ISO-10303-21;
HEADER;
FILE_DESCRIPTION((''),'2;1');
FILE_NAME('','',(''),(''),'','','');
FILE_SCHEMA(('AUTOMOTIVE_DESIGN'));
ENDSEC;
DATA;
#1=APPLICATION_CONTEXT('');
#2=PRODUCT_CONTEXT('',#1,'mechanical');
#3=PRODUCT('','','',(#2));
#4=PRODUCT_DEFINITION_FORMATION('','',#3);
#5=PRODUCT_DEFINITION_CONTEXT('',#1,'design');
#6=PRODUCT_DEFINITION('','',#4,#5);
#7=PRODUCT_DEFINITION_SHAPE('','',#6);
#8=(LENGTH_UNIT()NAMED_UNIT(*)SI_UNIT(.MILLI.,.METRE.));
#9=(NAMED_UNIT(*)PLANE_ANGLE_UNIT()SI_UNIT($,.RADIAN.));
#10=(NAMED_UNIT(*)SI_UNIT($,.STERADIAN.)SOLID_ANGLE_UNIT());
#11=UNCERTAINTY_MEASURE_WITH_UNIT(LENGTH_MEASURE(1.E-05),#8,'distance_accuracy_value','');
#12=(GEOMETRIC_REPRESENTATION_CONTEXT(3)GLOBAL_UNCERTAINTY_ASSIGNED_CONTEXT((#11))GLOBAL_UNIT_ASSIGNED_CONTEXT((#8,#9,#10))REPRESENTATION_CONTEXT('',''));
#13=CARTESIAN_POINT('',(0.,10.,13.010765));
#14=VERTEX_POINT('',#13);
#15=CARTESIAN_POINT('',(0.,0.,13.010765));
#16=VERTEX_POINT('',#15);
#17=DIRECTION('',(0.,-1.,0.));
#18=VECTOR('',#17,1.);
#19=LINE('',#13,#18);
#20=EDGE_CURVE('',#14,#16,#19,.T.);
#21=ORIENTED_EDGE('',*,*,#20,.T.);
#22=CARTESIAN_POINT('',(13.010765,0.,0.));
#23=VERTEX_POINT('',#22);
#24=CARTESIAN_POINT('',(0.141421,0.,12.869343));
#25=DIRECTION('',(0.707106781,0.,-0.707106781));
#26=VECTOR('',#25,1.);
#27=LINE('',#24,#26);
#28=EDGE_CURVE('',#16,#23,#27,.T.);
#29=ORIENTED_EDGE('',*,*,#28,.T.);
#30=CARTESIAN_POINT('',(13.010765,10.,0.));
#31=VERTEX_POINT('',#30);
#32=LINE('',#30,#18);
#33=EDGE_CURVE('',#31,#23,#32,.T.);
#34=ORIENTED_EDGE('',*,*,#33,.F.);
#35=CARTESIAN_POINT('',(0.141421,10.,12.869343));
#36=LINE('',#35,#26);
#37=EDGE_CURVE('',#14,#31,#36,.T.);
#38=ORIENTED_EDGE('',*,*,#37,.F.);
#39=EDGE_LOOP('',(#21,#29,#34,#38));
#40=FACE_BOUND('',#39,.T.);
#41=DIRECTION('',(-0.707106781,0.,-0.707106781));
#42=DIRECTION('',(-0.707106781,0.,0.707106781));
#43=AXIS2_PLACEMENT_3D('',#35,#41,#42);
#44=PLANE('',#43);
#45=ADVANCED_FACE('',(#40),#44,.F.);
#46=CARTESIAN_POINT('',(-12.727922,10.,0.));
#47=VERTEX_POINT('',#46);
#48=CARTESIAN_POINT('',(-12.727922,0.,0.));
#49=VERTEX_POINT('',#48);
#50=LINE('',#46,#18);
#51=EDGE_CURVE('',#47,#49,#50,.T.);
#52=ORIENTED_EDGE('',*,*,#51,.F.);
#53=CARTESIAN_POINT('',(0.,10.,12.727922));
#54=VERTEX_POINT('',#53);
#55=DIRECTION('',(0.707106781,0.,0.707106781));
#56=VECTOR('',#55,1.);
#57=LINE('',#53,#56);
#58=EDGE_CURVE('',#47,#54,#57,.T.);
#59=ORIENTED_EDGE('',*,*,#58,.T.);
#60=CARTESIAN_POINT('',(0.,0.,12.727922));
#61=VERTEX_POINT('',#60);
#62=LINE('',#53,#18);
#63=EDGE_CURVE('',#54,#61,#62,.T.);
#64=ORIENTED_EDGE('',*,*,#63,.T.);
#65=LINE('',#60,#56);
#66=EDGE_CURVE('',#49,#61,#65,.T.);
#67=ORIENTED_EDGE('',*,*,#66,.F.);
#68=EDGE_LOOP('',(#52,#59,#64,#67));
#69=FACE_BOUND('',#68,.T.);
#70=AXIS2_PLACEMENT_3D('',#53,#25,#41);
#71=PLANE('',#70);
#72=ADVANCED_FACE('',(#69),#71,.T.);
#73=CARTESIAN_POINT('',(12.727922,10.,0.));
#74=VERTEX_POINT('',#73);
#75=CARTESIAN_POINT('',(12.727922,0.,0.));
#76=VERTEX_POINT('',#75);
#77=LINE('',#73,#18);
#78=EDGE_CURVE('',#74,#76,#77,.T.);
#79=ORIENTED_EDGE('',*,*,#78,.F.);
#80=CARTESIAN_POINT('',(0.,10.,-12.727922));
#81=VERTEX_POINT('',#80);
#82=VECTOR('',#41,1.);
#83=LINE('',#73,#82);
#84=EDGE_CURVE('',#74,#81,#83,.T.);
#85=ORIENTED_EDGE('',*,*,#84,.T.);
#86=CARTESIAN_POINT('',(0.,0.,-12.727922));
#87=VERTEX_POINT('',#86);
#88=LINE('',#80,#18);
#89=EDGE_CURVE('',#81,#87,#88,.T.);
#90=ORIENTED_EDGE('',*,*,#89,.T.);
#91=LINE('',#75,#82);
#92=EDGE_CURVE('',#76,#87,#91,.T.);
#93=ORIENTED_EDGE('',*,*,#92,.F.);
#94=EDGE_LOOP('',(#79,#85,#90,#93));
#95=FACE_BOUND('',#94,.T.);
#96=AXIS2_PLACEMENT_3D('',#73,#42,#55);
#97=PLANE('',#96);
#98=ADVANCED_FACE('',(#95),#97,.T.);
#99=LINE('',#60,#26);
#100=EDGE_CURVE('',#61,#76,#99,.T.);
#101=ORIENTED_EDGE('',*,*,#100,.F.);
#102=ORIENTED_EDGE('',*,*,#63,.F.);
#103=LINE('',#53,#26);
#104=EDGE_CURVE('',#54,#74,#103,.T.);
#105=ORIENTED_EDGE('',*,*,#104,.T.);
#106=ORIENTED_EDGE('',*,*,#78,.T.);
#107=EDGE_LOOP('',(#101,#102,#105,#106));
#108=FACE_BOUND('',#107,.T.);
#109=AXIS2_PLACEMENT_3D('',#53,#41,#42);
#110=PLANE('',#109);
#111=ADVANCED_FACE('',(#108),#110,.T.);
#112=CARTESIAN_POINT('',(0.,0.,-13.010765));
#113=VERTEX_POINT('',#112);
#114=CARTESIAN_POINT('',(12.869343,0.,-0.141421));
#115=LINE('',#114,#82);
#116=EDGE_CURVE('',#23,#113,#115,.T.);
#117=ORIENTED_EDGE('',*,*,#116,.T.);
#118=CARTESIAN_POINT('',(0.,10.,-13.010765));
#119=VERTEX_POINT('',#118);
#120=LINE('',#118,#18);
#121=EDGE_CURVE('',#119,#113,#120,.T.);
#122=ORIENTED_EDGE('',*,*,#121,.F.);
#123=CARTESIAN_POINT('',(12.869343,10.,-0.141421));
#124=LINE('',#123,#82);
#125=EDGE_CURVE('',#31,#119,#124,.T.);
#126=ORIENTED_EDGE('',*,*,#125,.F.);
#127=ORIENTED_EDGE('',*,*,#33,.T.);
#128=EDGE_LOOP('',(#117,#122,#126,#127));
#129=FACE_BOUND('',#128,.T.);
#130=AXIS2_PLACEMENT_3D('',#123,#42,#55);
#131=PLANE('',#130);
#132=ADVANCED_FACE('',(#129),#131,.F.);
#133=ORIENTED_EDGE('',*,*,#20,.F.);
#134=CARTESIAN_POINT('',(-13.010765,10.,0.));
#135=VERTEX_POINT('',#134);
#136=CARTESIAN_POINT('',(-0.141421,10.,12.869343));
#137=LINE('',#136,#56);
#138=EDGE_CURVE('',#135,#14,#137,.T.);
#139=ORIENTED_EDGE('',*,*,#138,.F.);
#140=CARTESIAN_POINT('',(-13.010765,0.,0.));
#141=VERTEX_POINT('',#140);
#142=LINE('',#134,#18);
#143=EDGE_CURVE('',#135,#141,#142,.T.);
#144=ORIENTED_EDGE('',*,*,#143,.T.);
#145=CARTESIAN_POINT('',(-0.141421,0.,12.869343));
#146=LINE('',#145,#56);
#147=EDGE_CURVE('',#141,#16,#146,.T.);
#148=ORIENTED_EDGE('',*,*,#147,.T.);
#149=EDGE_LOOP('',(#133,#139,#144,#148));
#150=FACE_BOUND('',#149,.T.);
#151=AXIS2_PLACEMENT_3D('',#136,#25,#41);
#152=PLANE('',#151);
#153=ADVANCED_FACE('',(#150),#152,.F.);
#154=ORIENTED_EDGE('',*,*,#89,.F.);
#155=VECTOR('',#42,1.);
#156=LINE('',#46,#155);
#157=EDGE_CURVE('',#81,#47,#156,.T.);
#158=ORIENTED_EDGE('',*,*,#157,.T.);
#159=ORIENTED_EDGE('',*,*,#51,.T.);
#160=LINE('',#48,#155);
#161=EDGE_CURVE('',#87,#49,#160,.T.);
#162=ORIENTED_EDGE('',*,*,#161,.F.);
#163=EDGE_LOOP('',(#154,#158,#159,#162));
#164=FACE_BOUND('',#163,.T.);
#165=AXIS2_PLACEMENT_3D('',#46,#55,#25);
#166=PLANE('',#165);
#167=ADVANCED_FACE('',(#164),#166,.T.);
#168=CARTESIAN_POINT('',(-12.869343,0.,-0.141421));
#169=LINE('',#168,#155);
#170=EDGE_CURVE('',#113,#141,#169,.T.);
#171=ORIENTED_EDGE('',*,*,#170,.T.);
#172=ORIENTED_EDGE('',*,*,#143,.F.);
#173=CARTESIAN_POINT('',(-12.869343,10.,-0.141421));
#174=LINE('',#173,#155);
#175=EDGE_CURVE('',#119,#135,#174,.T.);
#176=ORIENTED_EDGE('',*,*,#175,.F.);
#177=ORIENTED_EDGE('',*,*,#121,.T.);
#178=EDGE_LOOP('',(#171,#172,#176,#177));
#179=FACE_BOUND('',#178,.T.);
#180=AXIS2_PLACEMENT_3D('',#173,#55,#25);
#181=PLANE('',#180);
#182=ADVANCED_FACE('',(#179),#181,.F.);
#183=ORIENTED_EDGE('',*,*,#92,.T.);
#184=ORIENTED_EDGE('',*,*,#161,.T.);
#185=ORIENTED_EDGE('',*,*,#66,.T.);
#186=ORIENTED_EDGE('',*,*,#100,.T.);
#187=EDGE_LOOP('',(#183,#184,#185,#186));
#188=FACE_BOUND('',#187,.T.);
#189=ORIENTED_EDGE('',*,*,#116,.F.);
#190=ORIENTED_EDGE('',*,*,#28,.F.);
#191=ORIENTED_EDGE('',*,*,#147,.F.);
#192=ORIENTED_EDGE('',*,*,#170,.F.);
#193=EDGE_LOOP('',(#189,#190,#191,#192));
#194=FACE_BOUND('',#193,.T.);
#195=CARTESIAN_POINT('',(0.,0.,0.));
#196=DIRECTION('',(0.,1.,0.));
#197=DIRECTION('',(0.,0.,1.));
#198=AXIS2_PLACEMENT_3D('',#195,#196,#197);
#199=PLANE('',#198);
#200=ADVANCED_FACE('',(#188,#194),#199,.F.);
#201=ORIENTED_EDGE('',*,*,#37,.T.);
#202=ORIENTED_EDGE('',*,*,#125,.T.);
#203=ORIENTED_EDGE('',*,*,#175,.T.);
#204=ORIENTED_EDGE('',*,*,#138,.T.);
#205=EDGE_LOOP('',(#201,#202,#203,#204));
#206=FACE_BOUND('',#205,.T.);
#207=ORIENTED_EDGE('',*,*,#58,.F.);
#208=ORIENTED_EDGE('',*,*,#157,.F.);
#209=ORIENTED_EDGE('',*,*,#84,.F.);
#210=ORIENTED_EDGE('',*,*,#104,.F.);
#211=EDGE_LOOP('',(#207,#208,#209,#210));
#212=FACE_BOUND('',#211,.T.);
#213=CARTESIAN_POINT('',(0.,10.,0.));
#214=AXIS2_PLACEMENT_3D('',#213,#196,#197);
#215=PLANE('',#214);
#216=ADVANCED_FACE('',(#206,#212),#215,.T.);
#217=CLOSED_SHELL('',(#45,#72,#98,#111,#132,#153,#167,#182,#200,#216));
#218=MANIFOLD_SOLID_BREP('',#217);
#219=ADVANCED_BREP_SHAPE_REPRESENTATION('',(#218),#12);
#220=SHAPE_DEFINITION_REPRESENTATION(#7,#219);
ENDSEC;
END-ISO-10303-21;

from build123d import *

# Parameters (mm, degrees)
EXTRUDE_1_DEPTH = 10


with BuildPart() as part:
    # Эскиз1 → Вытянуть-Тонкостенный1 (new body)
    with BuildSketch(Plane(origin=(0, 0, 0), x_dir=(1, 0, 0), z_dir=(0, 1, 0))):
        Polygon((13.010764774, 0), (0, -13.010764774), (-13.010764774, 0), (0, 13.010764774), align=None)
        Polygon((12.727922061, 0), (0, -12.727922061), (-12.727922061, 0), (0, 12.727922061), align=None, mode=Mode.SUBTRACT)
    extrude(amount=EXTRUDE_1_DEPTH)


solid = part.part
